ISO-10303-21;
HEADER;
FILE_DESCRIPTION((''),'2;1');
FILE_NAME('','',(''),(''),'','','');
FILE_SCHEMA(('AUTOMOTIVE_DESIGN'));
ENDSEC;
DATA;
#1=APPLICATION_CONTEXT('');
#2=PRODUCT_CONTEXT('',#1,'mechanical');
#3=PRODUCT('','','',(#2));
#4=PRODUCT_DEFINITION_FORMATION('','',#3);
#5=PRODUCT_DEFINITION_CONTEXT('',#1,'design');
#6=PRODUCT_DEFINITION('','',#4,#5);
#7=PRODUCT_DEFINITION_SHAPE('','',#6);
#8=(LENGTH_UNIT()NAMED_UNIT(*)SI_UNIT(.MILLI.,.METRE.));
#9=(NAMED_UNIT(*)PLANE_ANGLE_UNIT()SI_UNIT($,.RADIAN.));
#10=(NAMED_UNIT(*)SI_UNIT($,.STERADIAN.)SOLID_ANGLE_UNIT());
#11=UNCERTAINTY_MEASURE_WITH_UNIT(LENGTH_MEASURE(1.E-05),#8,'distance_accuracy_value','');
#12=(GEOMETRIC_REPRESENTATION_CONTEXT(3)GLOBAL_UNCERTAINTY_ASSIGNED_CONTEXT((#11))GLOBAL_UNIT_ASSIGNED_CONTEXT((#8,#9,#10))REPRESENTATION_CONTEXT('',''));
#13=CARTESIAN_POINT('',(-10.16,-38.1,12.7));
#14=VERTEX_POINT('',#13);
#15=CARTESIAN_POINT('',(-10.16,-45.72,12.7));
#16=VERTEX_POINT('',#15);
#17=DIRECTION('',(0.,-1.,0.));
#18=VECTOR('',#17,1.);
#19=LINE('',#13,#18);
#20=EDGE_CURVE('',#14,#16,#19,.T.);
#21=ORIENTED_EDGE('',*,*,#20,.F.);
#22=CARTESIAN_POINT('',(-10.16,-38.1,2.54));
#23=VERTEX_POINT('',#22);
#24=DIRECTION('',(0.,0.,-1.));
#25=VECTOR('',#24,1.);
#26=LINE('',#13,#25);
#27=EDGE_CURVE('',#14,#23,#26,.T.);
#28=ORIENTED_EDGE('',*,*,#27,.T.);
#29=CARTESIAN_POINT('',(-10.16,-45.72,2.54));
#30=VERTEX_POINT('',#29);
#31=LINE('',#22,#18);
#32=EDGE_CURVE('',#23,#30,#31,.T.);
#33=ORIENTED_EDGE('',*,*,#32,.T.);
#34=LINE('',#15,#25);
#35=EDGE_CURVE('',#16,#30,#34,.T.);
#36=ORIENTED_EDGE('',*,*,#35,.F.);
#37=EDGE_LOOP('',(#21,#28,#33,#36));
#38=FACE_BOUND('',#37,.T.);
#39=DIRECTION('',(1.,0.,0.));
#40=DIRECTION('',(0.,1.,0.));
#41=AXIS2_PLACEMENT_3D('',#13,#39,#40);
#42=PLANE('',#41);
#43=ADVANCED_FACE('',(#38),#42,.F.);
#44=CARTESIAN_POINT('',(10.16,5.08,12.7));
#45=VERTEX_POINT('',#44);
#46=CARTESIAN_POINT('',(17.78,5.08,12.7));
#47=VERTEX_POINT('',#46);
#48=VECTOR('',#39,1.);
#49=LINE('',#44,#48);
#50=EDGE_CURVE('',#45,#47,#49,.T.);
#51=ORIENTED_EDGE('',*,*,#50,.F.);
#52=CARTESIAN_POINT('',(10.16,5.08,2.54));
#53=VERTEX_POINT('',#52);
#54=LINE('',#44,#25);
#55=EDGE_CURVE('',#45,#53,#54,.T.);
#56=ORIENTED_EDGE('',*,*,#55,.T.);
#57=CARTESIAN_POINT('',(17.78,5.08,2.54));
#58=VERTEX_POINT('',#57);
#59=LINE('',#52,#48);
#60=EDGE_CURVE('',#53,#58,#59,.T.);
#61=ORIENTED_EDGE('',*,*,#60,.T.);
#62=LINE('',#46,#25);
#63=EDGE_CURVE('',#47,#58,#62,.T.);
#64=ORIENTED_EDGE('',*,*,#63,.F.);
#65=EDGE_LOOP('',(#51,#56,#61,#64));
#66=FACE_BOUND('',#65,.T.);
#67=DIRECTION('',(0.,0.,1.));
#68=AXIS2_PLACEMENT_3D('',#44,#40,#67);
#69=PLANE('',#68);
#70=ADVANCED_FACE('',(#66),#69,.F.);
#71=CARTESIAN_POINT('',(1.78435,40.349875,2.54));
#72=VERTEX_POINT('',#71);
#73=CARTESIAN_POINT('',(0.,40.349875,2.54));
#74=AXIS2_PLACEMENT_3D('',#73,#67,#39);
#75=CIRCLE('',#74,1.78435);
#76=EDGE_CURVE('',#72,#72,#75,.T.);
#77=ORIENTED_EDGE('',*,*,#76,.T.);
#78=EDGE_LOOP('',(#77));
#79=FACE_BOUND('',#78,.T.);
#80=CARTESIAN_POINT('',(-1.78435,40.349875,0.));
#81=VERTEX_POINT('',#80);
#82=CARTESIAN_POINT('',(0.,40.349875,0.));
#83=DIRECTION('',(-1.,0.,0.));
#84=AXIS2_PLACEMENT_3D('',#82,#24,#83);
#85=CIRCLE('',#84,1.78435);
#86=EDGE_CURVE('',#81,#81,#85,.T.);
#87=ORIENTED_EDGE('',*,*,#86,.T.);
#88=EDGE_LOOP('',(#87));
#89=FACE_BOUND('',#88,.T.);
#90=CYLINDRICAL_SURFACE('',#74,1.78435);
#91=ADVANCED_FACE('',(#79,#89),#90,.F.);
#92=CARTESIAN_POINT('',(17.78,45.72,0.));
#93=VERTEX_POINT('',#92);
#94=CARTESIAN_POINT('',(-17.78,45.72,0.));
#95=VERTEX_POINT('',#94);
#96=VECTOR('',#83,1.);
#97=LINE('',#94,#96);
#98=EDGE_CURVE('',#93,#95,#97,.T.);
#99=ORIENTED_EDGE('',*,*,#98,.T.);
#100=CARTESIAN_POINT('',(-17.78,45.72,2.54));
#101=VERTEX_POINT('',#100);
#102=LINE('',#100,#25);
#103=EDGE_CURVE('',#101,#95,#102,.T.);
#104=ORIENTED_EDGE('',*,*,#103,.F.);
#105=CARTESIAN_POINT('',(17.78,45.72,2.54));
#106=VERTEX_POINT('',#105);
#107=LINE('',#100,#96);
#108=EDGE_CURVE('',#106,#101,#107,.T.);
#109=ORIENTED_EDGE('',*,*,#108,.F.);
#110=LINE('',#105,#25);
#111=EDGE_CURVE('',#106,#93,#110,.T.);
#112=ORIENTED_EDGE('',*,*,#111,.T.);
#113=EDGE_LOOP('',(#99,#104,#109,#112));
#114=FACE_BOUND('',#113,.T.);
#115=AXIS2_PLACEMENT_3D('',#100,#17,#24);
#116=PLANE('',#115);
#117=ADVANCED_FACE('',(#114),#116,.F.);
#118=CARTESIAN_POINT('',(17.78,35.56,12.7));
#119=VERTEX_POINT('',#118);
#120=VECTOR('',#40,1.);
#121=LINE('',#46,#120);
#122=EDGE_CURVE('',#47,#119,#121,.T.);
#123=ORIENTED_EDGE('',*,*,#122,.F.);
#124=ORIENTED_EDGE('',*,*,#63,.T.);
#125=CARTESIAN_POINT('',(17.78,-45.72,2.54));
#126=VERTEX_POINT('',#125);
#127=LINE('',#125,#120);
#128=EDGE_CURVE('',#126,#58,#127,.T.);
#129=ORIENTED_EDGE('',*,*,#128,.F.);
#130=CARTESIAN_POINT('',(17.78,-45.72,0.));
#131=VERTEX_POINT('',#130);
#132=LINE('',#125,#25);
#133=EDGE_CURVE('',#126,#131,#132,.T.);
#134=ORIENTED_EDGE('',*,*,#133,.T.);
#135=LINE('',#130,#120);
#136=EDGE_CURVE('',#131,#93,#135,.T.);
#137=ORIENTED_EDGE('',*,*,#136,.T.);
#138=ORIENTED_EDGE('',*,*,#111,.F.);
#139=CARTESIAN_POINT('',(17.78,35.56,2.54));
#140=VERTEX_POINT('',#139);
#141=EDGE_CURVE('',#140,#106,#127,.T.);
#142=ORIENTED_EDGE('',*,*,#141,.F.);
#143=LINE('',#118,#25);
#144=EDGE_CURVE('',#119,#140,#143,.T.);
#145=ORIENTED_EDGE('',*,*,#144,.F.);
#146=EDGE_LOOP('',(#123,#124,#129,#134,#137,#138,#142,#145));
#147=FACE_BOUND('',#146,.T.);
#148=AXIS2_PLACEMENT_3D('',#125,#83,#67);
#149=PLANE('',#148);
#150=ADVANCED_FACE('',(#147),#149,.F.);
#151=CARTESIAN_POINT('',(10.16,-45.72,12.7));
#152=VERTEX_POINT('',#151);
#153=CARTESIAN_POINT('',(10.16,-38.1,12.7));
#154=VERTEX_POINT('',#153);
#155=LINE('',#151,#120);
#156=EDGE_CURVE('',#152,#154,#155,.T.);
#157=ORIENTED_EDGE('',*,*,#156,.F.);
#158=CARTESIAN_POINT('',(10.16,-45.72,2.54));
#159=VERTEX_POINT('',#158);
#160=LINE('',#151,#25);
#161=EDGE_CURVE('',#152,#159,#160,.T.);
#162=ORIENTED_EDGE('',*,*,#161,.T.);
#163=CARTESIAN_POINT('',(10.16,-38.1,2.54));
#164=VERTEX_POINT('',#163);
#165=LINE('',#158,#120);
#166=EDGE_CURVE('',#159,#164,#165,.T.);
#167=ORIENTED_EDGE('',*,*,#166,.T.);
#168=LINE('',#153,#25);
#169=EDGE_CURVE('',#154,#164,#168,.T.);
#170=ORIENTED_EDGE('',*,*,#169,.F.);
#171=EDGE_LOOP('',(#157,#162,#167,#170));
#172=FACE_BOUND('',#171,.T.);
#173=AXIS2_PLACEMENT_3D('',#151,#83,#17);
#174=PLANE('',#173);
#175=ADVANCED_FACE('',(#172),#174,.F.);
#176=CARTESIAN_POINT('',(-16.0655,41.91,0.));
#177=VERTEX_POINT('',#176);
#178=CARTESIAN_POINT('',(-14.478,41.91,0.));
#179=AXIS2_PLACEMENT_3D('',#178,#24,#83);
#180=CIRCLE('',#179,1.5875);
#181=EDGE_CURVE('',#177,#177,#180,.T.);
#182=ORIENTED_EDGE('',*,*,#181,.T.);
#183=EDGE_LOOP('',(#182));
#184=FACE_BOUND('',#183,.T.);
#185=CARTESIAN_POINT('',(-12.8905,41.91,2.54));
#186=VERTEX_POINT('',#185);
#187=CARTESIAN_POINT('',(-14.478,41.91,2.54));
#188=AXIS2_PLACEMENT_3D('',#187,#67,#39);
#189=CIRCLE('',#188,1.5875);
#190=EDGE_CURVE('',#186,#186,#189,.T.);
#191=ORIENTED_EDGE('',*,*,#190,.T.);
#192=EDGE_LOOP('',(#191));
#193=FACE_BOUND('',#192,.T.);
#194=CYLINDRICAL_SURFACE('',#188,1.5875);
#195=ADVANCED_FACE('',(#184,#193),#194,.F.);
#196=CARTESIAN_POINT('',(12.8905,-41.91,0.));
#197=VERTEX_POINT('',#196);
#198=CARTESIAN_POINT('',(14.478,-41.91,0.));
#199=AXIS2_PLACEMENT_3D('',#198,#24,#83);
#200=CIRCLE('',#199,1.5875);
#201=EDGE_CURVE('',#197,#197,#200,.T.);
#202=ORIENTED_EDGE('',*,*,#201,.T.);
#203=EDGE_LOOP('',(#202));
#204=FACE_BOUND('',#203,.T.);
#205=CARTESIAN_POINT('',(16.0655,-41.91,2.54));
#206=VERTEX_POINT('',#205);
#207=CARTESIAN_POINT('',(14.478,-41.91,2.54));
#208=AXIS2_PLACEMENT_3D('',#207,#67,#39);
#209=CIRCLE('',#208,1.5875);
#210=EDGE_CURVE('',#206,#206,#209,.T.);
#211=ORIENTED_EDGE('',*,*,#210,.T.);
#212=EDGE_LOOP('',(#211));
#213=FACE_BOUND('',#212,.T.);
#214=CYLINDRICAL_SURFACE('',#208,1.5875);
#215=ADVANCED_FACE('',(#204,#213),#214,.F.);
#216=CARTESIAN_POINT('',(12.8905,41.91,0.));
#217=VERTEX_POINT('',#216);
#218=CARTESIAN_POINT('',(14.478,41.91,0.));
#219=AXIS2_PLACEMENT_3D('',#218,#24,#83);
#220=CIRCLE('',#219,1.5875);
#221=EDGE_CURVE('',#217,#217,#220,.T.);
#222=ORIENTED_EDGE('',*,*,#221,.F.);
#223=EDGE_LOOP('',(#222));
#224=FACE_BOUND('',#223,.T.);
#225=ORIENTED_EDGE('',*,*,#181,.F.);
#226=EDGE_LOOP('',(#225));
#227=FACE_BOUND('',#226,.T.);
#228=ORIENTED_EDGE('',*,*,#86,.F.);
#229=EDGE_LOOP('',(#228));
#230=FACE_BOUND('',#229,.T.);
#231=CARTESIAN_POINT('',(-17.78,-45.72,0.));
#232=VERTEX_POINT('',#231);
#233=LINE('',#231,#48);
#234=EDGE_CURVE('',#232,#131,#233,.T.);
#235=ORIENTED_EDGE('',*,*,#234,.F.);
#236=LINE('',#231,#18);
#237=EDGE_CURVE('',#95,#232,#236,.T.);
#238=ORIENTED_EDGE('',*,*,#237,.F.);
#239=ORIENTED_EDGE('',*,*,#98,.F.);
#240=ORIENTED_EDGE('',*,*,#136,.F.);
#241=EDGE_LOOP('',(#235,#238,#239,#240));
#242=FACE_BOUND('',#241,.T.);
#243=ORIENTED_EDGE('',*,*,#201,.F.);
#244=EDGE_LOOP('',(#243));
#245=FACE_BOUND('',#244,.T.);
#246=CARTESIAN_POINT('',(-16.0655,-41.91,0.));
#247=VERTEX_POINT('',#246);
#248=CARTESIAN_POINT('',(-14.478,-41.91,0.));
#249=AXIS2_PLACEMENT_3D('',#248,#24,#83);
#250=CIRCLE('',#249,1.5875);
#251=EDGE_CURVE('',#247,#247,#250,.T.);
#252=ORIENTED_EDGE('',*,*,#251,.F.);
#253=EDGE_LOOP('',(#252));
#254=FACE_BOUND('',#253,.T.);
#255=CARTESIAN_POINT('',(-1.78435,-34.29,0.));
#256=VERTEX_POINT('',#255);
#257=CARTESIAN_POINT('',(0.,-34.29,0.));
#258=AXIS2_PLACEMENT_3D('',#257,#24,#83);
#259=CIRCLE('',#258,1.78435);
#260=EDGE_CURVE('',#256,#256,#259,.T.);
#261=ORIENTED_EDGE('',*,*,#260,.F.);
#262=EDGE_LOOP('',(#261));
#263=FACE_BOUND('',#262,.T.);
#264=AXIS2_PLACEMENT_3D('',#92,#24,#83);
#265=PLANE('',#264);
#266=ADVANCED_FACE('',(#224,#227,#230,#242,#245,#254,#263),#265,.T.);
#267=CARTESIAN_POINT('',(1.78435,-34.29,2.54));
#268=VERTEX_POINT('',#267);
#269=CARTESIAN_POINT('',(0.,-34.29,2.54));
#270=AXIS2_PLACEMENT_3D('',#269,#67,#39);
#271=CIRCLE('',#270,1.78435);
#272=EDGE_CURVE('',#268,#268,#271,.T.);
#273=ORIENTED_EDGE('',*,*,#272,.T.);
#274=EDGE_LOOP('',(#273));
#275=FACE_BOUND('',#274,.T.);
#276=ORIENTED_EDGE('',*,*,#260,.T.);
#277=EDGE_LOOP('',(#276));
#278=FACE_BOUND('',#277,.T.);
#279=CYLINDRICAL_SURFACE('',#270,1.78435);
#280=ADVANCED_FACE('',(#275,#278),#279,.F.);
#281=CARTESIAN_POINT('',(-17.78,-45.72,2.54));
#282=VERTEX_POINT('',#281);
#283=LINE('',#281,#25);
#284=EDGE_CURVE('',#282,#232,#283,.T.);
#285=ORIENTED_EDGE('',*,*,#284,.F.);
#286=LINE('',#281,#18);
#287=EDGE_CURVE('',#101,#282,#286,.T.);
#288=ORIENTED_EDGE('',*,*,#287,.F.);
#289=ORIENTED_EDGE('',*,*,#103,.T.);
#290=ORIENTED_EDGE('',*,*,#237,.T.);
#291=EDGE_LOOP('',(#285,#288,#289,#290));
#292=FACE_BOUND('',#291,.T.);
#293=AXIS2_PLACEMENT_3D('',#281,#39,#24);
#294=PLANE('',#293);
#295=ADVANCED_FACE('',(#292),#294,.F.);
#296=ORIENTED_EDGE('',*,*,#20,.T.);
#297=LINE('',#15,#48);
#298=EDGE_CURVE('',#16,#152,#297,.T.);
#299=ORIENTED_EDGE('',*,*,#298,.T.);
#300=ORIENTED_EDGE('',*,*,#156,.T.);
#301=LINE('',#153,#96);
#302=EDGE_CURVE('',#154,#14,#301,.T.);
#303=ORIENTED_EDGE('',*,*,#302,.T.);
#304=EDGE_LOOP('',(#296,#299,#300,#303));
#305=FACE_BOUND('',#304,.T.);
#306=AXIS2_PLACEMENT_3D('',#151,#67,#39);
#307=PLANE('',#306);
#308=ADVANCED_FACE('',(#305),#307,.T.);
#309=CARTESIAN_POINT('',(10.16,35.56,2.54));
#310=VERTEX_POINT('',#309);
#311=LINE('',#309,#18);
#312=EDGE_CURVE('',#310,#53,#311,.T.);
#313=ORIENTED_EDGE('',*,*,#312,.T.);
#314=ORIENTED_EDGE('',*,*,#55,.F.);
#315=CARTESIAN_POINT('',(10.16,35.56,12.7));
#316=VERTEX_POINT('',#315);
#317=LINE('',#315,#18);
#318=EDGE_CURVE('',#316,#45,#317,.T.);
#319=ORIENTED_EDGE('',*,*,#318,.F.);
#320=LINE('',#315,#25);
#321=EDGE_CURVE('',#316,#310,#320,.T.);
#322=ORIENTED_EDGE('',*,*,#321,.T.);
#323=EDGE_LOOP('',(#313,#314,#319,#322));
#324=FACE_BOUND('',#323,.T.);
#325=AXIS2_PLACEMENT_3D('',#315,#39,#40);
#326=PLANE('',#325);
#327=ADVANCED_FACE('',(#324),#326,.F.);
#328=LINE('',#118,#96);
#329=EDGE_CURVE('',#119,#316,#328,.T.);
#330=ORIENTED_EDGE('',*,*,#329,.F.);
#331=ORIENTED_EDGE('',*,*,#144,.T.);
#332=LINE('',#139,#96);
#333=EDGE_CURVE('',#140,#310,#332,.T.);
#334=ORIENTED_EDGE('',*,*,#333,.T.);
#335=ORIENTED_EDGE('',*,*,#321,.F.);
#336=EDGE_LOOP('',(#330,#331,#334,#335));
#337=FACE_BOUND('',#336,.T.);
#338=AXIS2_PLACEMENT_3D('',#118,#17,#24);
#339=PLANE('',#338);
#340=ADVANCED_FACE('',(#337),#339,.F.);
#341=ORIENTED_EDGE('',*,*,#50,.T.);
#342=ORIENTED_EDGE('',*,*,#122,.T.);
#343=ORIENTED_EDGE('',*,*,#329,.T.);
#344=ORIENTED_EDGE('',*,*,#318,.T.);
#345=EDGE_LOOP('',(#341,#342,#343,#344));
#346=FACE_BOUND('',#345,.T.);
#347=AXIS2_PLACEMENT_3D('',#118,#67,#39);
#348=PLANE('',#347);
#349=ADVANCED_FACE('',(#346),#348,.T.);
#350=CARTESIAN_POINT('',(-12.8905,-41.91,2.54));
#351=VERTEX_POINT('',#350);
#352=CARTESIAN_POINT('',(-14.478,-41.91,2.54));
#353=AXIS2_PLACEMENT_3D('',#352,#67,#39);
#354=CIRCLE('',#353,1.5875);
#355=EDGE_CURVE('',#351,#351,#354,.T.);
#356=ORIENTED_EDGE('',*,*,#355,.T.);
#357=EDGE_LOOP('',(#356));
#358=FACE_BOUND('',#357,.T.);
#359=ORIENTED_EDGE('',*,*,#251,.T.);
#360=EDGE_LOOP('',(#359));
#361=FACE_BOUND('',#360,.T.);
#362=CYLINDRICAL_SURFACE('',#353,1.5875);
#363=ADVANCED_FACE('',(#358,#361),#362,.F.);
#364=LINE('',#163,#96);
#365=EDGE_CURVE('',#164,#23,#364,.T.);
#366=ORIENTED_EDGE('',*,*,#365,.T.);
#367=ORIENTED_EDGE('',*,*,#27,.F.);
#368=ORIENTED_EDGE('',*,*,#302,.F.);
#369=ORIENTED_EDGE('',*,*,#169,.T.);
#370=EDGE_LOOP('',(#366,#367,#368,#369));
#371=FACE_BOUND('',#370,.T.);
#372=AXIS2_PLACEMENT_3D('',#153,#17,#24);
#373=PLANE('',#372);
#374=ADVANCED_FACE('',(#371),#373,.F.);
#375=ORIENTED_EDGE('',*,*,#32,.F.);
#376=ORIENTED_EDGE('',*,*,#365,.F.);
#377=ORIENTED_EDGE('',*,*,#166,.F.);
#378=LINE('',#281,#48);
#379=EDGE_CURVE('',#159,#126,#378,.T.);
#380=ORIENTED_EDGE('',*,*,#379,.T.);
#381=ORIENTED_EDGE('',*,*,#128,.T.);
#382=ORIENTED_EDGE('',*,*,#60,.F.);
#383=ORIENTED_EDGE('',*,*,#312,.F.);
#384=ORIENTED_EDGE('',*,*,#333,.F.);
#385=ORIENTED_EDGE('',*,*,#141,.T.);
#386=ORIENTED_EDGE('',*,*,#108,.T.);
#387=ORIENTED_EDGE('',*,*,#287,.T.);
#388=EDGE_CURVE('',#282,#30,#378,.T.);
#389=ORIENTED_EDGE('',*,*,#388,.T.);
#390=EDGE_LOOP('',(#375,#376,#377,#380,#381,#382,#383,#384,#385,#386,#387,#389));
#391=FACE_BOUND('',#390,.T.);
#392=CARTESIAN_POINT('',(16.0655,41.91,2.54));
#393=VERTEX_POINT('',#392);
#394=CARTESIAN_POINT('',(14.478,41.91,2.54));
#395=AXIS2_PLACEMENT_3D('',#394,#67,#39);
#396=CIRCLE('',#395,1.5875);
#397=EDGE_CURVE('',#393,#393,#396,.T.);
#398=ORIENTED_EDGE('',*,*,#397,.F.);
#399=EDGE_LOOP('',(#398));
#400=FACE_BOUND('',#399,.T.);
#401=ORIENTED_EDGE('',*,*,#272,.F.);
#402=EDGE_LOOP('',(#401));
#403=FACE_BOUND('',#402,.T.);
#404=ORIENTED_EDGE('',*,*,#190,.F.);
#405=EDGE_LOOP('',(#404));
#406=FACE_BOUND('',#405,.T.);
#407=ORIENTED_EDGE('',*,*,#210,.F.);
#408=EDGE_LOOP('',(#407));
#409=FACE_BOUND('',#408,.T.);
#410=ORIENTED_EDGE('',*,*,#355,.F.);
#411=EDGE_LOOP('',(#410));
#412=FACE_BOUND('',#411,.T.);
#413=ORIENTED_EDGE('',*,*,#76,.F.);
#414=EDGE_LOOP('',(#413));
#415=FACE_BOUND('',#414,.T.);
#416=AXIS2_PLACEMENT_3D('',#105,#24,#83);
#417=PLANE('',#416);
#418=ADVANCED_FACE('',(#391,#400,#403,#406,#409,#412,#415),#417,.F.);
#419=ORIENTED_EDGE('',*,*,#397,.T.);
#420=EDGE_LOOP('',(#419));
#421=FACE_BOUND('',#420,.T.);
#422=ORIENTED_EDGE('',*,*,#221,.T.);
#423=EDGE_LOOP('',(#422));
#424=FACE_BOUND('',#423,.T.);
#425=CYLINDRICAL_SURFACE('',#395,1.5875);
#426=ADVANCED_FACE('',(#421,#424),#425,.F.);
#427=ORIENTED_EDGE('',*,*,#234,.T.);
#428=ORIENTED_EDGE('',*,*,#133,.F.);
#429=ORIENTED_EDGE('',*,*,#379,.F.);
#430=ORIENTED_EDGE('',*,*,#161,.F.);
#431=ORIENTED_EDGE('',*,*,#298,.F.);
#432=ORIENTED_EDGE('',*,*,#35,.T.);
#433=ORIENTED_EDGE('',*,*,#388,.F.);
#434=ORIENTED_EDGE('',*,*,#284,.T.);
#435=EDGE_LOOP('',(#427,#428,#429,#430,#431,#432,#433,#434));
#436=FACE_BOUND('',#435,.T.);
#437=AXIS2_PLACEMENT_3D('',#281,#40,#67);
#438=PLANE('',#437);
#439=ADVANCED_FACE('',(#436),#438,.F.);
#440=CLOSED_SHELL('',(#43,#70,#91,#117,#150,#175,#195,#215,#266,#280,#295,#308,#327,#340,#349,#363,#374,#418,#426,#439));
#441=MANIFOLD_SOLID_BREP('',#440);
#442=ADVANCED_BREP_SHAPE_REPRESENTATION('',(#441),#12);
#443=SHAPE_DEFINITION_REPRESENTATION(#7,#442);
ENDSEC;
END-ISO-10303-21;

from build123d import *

# Parameters (mm, degrees)
SKETCH1_W                        = 35.56
SKETCH1_H                        = 91.44
EXTRUDE1_DEPTH                   = 2.54
F_28_0_1405_DIAMETER_HOLE1_D     = 3.5687
F_28_0_1405_DIAMETER_HOLE1_DEPTH = 15.24
F_28_0_1405_DIAMETER_HOLE1_TIP   = 1.072145646
EXTRUDE2_DEPTH                   = 10.16
SKETCH7_W                        = 7.62
SKETCH7_H                        = 30.48
EXTRUDE3_DEPTH                   = 10.16


with BuildPart() as part:
    # Sketch1 → Extrude1 (new body)
    with BuildSketch(Plane.XY):
        Rectangle(SKETCH1_W, SKETCH1_H)
    extrude(amount=EXTRUDE1_DEPTH)

    # Sketch3 → 1/8 (0.125) Diameter Hole1 (revolve, cut)
    with BuildSketch(Plane(origin=(14.478, 41.91, 2.54), x_dir=(0, -1, 0), z_dir=(1, 0, 0))):
        Polygon((0, 0), (0, 16.193866233), (1.5875, 15.24), (1.5875, 0), align=None)
    f_1_8_0_125_diameter_hole1 = revolve(axis=Axis((14.478, 41.91, 8.89), (0, 0, -1)), mode=Mode.SUBTRACT)

    # Mirror1: 1/8 (0.125) Diameter Hole1 across plane
    add(f_1_8_0_125_diameter_hole1.mirror(Plane(origin=(0, 0, 0), x_dir=(0, 0, 1), z_dir=(1, 0, 0))), mode=Mode.SUBTRACT)

    # Mirror2: 1/8 (0.125) Diameter Hole1 across plane
    add(f_1_8_0_125_diameter_hole1.mirror(Plane.ZX), mode=Mode.SUBTRACT)

    # Mirror2 copy 1 sketch → Mirror2 copy 1 (revolve, cut)
    with BuildSketch(Plane(origin=(-14.478, -41.91, 2.54), x_dir=(0, 1, 0), z_dir=(-1, 0, 0))):
        Polygon((0, 0), (0, 16.193866233), (1.5875, 15.24), (1.5875, 0), align=None)
    revolve(axis=Axis((-14.478, -41.91, 8.89), (0, 0, -1)), mode=Mode.SUBTRACT)

    # #28 (0.1405) Diameter Hole1
    with Locations(Plane(origin=(0, -34.29, 2.54), x_dir=(1, 0, 0), z_dir=(0, 0, 1))):
        with Locations((0, 0), (0, 74.639874629)):
            Hole(F_28_0_1405_DIAMETER_HOLE1_D / 2, depth=F_28_0_1405_DIAMETER_HOLE1_DEPTH)
            with Locations((0, 0, -(F_28_0_1405_DIAMETER_HOLE1_DEPTH + F_28_0_1405_DIAMETER_HOLE1_TIP / 2))):  # 118° drill point
                Cone(0, F_28_0_1405_DIAMETER_HOLE1_D / 2, F_28_0_1405_DIAMETER_HOLE1_TIP, mode=Mode.SUBTRACT)

    # Sketch6 → Extrude2 (add)
    with BuildSketch(Plane.XY.offset(2.54)):
        Polygon((0, -45.72), (10.16, -45.72), (10.16, -38.1), (-10.16, -38.1), (-10.16, -45.72), align=None)
    extrude(amount=EXTRUDE2_DEPTH)

    # Sketch7 → Extrude3 (add)
    with BuildSketch(Plane.XY.offset(2.54)):
        with Locations((13.97, 20.32)):
            Rectangle(SKETCH7_W, SKETCH7_H)
    extrude(amount=EXTRUDE3_DEPTH)


solid = part.part
